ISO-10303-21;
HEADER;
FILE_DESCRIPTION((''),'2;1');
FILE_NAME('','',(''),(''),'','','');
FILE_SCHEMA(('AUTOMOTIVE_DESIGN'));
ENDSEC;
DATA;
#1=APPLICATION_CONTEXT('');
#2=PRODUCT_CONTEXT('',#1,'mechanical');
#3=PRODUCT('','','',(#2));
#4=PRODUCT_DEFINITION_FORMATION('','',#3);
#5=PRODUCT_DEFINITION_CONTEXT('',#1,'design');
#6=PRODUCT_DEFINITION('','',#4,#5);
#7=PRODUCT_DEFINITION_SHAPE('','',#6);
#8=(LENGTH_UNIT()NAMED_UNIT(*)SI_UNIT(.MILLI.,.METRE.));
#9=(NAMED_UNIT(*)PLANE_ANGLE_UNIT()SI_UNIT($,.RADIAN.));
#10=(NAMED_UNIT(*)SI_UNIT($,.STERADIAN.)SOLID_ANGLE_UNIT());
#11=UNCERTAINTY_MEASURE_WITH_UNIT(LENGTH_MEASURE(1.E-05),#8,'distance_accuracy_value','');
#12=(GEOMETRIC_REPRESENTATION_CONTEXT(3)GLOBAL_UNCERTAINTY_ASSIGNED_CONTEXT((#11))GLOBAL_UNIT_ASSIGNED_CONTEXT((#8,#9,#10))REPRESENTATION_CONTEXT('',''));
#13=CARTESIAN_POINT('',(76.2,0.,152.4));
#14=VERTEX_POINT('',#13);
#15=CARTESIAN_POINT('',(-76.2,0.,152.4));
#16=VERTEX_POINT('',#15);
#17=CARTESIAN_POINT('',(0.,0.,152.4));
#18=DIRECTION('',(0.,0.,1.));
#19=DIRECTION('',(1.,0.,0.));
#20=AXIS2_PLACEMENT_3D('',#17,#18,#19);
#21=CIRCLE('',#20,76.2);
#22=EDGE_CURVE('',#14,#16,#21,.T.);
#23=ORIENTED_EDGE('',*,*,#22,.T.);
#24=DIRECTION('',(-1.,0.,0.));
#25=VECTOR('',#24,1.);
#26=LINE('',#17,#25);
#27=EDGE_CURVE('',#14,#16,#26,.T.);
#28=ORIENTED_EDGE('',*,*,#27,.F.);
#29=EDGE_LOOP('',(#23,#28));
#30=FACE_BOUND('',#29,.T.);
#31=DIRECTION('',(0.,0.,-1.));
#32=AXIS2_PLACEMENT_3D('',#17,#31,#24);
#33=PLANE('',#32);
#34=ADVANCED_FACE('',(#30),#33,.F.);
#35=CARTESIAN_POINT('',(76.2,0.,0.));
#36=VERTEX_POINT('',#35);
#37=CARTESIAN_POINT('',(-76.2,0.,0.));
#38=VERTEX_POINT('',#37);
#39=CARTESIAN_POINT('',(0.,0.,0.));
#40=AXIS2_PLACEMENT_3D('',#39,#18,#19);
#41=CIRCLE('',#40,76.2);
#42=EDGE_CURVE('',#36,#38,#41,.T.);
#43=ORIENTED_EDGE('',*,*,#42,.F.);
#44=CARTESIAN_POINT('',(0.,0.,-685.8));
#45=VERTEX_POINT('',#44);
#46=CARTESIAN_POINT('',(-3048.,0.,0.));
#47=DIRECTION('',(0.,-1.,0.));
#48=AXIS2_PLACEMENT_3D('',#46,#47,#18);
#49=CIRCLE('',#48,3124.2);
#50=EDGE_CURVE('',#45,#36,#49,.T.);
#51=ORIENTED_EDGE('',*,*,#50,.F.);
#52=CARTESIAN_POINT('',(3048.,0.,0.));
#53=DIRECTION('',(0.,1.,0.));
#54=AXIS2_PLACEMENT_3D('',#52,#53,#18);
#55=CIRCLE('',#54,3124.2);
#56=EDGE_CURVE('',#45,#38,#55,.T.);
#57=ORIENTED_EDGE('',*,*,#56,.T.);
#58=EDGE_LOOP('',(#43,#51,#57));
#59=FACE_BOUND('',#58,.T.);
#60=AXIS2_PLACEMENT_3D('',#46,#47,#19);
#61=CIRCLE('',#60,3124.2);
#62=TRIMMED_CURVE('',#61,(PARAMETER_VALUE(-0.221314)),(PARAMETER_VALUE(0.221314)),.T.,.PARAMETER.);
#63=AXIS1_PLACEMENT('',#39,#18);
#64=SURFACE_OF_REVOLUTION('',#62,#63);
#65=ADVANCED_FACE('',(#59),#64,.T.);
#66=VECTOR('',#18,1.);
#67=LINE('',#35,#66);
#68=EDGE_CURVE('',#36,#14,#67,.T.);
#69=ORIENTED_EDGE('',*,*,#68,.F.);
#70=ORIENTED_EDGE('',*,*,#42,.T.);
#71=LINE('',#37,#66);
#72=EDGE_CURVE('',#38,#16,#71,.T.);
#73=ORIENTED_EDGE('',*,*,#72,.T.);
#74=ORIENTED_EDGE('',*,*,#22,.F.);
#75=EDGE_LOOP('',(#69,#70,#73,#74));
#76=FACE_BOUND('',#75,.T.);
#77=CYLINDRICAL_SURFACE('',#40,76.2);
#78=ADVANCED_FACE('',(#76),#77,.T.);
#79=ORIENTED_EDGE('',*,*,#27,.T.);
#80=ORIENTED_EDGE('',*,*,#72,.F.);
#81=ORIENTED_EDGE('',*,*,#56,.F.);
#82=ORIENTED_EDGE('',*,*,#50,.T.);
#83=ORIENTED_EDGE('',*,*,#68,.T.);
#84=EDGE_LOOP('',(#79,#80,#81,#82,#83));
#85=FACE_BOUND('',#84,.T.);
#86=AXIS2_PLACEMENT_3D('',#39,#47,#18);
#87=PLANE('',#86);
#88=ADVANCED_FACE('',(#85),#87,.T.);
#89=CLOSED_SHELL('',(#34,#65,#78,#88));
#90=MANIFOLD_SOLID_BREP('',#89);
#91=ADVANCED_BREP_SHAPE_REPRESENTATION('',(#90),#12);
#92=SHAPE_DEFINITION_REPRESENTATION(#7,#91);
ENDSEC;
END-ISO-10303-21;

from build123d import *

# Parameters (mm, degrees)
SKETCH1_W      = 76.2
SKETCH1_H      = 152.4
REVOLVE1_ANGLE = 180


with BuildPart() as part:
    # Sketch1 → Revolve1 (revolve)
    with BuildSketch(Plane(origin=(0, 0, 0), x_dir=(1, 0, 0), z_dir=(0, 1, 0))):
        with Locations((-38.1, -76.2)):
            Rectangle(SKETCH1_W, SKETCH1_H)
        with BuildLine():
            Line((0, 685.8), (0, 0))
            Line((0, 0), (-76.2, 0))
            ThreePointArc((-76.2, 0), (-57.091563867, 345.010173763), (0, 685.8))
        make_face()
    revolve(axis=Axis((0, 0, 0), (0, 0, -1)), revolution_arc=REVOLVE1_ANGLE)


solid = part.part
